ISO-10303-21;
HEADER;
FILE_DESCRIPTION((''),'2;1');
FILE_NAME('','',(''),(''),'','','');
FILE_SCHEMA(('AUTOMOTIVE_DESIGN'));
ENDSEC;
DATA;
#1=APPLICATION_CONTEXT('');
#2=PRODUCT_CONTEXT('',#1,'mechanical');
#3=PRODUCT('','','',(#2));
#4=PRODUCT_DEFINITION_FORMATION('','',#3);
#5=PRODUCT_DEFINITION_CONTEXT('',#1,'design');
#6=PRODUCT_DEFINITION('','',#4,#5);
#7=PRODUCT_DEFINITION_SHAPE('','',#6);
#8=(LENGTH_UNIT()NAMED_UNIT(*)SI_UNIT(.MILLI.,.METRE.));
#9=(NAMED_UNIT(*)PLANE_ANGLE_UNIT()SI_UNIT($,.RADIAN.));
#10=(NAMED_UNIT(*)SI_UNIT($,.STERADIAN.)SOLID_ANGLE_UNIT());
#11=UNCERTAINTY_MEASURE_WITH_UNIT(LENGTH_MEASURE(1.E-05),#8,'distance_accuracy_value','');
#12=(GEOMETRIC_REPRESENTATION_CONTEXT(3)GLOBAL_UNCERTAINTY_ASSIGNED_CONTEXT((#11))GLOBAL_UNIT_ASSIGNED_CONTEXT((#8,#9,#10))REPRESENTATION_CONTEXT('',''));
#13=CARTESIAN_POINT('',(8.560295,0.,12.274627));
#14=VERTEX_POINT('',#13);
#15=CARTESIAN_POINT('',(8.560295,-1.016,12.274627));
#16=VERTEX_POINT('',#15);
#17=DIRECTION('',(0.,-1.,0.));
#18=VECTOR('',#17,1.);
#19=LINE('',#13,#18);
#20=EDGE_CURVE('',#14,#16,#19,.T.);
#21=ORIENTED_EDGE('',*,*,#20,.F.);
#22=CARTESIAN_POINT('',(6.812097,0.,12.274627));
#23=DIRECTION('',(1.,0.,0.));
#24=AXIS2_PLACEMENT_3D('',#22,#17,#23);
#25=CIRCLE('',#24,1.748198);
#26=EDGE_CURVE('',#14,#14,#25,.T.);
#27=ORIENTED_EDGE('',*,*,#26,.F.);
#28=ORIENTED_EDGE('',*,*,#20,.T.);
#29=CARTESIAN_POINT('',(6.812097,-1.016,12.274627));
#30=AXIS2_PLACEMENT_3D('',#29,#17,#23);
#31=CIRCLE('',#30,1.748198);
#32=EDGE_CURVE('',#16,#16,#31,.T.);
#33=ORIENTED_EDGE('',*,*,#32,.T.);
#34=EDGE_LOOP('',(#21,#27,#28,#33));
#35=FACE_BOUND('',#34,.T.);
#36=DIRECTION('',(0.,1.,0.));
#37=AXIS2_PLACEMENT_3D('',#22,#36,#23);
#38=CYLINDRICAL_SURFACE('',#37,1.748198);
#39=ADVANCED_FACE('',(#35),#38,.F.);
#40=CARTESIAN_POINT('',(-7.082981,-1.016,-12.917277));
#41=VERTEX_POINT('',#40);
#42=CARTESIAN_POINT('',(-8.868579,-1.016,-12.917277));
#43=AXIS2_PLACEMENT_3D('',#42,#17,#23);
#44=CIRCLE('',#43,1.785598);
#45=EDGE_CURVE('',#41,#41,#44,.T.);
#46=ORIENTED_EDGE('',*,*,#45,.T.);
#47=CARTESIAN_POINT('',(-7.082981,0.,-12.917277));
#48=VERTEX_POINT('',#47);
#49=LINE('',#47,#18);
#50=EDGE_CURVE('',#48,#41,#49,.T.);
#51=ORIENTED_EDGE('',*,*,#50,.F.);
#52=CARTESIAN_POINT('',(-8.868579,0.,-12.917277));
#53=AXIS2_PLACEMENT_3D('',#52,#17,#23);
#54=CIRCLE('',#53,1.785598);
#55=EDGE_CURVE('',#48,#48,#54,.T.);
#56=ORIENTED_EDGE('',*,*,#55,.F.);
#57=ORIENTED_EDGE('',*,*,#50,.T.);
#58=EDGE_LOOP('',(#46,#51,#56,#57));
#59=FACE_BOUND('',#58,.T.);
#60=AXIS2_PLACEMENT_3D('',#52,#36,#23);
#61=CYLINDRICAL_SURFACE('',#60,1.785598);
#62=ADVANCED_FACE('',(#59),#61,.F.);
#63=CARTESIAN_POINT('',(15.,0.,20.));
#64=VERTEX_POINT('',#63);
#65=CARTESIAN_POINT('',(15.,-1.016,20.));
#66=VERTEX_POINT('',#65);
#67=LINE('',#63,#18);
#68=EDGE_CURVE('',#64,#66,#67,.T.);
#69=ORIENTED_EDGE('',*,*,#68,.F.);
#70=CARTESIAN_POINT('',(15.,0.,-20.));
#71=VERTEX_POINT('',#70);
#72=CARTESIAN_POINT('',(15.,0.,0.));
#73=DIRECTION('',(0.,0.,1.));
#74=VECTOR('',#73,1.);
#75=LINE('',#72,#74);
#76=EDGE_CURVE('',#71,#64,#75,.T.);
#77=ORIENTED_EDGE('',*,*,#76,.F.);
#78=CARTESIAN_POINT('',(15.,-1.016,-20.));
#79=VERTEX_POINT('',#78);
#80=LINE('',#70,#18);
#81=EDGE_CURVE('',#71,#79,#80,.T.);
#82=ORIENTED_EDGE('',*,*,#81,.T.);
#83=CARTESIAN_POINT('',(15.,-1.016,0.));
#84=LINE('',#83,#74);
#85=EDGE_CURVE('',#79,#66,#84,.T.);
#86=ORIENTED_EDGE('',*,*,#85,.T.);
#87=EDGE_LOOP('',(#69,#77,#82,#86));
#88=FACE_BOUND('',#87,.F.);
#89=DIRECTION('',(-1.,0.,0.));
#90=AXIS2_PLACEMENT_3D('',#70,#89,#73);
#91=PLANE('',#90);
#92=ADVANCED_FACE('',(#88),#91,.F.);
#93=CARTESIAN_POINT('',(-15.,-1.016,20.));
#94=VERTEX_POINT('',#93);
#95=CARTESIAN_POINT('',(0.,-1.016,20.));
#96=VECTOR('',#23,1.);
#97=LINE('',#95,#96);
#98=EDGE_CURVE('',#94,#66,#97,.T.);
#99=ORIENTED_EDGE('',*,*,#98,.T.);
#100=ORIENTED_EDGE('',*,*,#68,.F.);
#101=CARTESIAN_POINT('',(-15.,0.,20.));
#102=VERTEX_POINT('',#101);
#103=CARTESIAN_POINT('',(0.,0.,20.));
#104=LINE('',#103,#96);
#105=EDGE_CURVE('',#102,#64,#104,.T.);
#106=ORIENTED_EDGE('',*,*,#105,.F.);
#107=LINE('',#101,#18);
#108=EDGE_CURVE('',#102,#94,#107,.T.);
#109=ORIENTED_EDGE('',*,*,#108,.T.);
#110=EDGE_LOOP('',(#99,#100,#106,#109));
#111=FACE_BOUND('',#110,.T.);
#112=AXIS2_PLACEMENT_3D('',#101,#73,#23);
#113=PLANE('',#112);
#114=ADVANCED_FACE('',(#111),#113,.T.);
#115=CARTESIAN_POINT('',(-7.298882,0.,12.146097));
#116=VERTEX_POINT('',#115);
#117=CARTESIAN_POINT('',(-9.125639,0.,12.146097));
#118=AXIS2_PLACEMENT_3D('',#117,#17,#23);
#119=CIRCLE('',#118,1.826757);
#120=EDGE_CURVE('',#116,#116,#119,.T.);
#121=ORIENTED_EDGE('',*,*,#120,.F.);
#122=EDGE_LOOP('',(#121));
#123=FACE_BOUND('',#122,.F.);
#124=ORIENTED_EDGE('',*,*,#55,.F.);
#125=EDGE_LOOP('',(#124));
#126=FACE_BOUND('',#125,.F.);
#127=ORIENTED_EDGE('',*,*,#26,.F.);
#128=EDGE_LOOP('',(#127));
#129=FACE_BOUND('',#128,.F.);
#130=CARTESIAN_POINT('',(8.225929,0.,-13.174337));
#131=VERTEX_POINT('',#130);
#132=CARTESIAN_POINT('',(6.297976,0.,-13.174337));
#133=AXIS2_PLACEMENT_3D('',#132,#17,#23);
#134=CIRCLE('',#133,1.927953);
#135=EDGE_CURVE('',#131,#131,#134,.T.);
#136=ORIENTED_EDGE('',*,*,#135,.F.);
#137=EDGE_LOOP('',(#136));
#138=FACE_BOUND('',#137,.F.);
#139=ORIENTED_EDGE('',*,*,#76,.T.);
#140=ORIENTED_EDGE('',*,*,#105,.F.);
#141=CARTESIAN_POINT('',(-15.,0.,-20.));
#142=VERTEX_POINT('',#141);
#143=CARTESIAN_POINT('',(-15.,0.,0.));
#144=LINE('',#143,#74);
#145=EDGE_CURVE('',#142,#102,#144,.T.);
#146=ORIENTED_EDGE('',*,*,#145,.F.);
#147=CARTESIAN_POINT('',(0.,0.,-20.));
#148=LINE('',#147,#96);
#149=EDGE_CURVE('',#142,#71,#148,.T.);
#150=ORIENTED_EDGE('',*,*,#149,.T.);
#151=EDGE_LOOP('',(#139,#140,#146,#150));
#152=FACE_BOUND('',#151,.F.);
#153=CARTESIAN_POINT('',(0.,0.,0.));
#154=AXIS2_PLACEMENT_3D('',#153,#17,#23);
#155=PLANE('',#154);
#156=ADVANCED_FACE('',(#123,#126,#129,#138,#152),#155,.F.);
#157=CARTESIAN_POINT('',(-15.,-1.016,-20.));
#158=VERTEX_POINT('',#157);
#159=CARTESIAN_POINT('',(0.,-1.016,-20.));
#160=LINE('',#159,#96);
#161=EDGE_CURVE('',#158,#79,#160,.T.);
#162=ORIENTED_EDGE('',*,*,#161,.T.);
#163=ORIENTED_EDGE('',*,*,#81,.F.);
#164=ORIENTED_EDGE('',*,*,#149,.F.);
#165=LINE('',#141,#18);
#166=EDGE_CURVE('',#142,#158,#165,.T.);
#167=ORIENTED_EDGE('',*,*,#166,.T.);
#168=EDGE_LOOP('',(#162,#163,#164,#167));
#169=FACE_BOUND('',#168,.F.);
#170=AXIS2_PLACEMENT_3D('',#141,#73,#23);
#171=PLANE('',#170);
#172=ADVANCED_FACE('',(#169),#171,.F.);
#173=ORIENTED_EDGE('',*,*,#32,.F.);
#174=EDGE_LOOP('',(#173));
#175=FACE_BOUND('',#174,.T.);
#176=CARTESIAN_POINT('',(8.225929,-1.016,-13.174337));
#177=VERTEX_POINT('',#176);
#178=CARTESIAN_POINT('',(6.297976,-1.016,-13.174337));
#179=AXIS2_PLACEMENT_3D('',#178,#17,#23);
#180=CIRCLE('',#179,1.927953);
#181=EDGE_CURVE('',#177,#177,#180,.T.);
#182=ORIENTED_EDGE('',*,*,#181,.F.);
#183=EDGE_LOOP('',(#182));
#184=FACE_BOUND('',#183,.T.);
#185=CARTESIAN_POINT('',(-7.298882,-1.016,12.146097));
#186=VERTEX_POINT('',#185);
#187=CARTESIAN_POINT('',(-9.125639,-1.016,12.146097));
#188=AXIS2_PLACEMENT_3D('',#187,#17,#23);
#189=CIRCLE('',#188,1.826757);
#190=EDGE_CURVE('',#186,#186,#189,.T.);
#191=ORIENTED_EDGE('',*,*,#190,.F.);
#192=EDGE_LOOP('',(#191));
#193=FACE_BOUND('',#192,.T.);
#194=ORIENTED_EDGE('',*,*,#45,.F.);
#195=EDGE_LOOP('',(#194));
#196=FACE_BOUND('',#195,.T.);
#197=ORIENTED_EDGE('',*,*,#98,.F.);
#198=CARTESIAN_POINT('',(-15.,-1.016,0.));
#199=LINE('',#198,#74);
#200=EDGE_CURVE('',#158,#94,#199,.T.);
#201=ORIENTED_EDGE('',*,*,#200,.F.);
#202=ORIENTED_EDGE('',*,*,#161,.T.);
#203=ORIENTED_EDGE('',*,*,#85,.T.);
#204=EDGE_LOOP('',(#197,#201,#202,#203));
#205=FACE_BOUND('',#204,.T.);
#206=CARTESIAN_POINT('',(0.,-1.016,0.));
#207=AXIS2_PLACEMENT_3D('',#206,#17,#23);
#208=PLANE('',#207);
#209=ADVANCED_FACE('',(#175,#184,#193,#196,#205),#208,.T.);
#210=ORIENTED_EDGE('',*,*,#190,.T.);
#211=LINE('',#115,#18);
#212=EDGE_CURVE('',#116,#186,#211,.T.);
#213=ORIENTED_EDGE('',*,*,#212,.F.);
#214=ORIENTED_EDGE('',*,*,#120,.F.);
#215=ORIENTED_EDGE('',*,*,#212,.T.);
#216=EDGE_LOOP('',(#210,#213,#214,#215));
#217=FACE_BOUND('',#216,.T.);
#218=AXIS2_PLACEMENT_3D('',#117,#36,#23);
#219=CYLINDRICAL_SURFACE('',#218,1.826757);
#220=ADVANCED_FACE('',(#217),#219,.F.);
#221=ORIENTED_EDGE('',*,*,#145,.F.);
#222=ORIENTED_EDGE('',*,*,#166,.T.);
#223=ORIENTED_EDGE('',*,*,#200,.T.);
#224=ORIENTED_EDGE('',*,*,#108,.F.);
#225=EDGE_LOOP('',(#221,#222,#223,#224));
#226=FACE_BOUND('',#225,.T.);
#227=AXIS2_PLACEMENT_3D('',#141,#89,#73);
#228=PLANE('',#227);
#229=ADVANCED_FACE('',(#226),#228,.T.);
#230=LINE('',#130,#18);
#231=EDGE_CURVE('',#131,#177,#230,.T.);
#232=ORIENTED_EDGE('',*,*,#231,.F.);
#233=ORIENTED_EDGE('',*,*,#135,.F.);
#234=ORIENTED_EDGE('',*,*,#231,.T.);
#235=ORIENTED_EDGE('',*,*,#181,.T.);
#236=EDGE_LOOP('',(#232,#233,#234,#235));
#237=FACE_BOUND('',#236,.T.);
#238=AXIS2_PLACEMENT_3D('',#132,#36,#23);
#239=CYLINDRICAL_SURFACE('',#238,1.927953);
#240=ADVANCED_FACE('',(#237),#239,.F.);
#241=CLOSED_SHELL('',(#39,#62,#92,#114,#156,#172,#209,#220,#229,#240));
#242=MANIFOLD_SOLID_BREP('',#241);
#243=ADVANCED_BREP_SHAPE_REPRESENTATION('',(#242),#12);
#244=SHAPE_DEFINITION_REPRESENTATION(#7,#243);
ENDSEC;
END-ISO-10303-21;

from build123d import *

# Parameters (mm, degrees)
F0_W     = 30
F0_H     = 40
F0_R     = 1.785598
F0_R_2   = 1.927953
F0_R_3   = 1.826757
F0_R_4   = 1.748198
F1_DEPTH = 1.016


with BuildPart() as f1:
    # F0 (on Front) → F1 (new body)
    with BuildSketch(Plane.XZ):
        Rectangle(F0_W, F0_H)
        with Locations((-8.868579, -12.917277)):
            Circle(F0_R, mode=Mode.SUBTRACT)
        with Locations((6.297976, -13.174337)):
            Circle(F0_R_2, mode=Mode.SUBTRACT)
        with Locations((-9.125639, 12.146097)):
            Circle(F0_R_3, mode=Mode.SUBTRACT)
        with Locations((6.812097, 12.274627)):
            Circle(F0_R_4, mode=Mode.SUBTRACT)
    extrude(amount=F1_DEPTH)


solid = f1.part
